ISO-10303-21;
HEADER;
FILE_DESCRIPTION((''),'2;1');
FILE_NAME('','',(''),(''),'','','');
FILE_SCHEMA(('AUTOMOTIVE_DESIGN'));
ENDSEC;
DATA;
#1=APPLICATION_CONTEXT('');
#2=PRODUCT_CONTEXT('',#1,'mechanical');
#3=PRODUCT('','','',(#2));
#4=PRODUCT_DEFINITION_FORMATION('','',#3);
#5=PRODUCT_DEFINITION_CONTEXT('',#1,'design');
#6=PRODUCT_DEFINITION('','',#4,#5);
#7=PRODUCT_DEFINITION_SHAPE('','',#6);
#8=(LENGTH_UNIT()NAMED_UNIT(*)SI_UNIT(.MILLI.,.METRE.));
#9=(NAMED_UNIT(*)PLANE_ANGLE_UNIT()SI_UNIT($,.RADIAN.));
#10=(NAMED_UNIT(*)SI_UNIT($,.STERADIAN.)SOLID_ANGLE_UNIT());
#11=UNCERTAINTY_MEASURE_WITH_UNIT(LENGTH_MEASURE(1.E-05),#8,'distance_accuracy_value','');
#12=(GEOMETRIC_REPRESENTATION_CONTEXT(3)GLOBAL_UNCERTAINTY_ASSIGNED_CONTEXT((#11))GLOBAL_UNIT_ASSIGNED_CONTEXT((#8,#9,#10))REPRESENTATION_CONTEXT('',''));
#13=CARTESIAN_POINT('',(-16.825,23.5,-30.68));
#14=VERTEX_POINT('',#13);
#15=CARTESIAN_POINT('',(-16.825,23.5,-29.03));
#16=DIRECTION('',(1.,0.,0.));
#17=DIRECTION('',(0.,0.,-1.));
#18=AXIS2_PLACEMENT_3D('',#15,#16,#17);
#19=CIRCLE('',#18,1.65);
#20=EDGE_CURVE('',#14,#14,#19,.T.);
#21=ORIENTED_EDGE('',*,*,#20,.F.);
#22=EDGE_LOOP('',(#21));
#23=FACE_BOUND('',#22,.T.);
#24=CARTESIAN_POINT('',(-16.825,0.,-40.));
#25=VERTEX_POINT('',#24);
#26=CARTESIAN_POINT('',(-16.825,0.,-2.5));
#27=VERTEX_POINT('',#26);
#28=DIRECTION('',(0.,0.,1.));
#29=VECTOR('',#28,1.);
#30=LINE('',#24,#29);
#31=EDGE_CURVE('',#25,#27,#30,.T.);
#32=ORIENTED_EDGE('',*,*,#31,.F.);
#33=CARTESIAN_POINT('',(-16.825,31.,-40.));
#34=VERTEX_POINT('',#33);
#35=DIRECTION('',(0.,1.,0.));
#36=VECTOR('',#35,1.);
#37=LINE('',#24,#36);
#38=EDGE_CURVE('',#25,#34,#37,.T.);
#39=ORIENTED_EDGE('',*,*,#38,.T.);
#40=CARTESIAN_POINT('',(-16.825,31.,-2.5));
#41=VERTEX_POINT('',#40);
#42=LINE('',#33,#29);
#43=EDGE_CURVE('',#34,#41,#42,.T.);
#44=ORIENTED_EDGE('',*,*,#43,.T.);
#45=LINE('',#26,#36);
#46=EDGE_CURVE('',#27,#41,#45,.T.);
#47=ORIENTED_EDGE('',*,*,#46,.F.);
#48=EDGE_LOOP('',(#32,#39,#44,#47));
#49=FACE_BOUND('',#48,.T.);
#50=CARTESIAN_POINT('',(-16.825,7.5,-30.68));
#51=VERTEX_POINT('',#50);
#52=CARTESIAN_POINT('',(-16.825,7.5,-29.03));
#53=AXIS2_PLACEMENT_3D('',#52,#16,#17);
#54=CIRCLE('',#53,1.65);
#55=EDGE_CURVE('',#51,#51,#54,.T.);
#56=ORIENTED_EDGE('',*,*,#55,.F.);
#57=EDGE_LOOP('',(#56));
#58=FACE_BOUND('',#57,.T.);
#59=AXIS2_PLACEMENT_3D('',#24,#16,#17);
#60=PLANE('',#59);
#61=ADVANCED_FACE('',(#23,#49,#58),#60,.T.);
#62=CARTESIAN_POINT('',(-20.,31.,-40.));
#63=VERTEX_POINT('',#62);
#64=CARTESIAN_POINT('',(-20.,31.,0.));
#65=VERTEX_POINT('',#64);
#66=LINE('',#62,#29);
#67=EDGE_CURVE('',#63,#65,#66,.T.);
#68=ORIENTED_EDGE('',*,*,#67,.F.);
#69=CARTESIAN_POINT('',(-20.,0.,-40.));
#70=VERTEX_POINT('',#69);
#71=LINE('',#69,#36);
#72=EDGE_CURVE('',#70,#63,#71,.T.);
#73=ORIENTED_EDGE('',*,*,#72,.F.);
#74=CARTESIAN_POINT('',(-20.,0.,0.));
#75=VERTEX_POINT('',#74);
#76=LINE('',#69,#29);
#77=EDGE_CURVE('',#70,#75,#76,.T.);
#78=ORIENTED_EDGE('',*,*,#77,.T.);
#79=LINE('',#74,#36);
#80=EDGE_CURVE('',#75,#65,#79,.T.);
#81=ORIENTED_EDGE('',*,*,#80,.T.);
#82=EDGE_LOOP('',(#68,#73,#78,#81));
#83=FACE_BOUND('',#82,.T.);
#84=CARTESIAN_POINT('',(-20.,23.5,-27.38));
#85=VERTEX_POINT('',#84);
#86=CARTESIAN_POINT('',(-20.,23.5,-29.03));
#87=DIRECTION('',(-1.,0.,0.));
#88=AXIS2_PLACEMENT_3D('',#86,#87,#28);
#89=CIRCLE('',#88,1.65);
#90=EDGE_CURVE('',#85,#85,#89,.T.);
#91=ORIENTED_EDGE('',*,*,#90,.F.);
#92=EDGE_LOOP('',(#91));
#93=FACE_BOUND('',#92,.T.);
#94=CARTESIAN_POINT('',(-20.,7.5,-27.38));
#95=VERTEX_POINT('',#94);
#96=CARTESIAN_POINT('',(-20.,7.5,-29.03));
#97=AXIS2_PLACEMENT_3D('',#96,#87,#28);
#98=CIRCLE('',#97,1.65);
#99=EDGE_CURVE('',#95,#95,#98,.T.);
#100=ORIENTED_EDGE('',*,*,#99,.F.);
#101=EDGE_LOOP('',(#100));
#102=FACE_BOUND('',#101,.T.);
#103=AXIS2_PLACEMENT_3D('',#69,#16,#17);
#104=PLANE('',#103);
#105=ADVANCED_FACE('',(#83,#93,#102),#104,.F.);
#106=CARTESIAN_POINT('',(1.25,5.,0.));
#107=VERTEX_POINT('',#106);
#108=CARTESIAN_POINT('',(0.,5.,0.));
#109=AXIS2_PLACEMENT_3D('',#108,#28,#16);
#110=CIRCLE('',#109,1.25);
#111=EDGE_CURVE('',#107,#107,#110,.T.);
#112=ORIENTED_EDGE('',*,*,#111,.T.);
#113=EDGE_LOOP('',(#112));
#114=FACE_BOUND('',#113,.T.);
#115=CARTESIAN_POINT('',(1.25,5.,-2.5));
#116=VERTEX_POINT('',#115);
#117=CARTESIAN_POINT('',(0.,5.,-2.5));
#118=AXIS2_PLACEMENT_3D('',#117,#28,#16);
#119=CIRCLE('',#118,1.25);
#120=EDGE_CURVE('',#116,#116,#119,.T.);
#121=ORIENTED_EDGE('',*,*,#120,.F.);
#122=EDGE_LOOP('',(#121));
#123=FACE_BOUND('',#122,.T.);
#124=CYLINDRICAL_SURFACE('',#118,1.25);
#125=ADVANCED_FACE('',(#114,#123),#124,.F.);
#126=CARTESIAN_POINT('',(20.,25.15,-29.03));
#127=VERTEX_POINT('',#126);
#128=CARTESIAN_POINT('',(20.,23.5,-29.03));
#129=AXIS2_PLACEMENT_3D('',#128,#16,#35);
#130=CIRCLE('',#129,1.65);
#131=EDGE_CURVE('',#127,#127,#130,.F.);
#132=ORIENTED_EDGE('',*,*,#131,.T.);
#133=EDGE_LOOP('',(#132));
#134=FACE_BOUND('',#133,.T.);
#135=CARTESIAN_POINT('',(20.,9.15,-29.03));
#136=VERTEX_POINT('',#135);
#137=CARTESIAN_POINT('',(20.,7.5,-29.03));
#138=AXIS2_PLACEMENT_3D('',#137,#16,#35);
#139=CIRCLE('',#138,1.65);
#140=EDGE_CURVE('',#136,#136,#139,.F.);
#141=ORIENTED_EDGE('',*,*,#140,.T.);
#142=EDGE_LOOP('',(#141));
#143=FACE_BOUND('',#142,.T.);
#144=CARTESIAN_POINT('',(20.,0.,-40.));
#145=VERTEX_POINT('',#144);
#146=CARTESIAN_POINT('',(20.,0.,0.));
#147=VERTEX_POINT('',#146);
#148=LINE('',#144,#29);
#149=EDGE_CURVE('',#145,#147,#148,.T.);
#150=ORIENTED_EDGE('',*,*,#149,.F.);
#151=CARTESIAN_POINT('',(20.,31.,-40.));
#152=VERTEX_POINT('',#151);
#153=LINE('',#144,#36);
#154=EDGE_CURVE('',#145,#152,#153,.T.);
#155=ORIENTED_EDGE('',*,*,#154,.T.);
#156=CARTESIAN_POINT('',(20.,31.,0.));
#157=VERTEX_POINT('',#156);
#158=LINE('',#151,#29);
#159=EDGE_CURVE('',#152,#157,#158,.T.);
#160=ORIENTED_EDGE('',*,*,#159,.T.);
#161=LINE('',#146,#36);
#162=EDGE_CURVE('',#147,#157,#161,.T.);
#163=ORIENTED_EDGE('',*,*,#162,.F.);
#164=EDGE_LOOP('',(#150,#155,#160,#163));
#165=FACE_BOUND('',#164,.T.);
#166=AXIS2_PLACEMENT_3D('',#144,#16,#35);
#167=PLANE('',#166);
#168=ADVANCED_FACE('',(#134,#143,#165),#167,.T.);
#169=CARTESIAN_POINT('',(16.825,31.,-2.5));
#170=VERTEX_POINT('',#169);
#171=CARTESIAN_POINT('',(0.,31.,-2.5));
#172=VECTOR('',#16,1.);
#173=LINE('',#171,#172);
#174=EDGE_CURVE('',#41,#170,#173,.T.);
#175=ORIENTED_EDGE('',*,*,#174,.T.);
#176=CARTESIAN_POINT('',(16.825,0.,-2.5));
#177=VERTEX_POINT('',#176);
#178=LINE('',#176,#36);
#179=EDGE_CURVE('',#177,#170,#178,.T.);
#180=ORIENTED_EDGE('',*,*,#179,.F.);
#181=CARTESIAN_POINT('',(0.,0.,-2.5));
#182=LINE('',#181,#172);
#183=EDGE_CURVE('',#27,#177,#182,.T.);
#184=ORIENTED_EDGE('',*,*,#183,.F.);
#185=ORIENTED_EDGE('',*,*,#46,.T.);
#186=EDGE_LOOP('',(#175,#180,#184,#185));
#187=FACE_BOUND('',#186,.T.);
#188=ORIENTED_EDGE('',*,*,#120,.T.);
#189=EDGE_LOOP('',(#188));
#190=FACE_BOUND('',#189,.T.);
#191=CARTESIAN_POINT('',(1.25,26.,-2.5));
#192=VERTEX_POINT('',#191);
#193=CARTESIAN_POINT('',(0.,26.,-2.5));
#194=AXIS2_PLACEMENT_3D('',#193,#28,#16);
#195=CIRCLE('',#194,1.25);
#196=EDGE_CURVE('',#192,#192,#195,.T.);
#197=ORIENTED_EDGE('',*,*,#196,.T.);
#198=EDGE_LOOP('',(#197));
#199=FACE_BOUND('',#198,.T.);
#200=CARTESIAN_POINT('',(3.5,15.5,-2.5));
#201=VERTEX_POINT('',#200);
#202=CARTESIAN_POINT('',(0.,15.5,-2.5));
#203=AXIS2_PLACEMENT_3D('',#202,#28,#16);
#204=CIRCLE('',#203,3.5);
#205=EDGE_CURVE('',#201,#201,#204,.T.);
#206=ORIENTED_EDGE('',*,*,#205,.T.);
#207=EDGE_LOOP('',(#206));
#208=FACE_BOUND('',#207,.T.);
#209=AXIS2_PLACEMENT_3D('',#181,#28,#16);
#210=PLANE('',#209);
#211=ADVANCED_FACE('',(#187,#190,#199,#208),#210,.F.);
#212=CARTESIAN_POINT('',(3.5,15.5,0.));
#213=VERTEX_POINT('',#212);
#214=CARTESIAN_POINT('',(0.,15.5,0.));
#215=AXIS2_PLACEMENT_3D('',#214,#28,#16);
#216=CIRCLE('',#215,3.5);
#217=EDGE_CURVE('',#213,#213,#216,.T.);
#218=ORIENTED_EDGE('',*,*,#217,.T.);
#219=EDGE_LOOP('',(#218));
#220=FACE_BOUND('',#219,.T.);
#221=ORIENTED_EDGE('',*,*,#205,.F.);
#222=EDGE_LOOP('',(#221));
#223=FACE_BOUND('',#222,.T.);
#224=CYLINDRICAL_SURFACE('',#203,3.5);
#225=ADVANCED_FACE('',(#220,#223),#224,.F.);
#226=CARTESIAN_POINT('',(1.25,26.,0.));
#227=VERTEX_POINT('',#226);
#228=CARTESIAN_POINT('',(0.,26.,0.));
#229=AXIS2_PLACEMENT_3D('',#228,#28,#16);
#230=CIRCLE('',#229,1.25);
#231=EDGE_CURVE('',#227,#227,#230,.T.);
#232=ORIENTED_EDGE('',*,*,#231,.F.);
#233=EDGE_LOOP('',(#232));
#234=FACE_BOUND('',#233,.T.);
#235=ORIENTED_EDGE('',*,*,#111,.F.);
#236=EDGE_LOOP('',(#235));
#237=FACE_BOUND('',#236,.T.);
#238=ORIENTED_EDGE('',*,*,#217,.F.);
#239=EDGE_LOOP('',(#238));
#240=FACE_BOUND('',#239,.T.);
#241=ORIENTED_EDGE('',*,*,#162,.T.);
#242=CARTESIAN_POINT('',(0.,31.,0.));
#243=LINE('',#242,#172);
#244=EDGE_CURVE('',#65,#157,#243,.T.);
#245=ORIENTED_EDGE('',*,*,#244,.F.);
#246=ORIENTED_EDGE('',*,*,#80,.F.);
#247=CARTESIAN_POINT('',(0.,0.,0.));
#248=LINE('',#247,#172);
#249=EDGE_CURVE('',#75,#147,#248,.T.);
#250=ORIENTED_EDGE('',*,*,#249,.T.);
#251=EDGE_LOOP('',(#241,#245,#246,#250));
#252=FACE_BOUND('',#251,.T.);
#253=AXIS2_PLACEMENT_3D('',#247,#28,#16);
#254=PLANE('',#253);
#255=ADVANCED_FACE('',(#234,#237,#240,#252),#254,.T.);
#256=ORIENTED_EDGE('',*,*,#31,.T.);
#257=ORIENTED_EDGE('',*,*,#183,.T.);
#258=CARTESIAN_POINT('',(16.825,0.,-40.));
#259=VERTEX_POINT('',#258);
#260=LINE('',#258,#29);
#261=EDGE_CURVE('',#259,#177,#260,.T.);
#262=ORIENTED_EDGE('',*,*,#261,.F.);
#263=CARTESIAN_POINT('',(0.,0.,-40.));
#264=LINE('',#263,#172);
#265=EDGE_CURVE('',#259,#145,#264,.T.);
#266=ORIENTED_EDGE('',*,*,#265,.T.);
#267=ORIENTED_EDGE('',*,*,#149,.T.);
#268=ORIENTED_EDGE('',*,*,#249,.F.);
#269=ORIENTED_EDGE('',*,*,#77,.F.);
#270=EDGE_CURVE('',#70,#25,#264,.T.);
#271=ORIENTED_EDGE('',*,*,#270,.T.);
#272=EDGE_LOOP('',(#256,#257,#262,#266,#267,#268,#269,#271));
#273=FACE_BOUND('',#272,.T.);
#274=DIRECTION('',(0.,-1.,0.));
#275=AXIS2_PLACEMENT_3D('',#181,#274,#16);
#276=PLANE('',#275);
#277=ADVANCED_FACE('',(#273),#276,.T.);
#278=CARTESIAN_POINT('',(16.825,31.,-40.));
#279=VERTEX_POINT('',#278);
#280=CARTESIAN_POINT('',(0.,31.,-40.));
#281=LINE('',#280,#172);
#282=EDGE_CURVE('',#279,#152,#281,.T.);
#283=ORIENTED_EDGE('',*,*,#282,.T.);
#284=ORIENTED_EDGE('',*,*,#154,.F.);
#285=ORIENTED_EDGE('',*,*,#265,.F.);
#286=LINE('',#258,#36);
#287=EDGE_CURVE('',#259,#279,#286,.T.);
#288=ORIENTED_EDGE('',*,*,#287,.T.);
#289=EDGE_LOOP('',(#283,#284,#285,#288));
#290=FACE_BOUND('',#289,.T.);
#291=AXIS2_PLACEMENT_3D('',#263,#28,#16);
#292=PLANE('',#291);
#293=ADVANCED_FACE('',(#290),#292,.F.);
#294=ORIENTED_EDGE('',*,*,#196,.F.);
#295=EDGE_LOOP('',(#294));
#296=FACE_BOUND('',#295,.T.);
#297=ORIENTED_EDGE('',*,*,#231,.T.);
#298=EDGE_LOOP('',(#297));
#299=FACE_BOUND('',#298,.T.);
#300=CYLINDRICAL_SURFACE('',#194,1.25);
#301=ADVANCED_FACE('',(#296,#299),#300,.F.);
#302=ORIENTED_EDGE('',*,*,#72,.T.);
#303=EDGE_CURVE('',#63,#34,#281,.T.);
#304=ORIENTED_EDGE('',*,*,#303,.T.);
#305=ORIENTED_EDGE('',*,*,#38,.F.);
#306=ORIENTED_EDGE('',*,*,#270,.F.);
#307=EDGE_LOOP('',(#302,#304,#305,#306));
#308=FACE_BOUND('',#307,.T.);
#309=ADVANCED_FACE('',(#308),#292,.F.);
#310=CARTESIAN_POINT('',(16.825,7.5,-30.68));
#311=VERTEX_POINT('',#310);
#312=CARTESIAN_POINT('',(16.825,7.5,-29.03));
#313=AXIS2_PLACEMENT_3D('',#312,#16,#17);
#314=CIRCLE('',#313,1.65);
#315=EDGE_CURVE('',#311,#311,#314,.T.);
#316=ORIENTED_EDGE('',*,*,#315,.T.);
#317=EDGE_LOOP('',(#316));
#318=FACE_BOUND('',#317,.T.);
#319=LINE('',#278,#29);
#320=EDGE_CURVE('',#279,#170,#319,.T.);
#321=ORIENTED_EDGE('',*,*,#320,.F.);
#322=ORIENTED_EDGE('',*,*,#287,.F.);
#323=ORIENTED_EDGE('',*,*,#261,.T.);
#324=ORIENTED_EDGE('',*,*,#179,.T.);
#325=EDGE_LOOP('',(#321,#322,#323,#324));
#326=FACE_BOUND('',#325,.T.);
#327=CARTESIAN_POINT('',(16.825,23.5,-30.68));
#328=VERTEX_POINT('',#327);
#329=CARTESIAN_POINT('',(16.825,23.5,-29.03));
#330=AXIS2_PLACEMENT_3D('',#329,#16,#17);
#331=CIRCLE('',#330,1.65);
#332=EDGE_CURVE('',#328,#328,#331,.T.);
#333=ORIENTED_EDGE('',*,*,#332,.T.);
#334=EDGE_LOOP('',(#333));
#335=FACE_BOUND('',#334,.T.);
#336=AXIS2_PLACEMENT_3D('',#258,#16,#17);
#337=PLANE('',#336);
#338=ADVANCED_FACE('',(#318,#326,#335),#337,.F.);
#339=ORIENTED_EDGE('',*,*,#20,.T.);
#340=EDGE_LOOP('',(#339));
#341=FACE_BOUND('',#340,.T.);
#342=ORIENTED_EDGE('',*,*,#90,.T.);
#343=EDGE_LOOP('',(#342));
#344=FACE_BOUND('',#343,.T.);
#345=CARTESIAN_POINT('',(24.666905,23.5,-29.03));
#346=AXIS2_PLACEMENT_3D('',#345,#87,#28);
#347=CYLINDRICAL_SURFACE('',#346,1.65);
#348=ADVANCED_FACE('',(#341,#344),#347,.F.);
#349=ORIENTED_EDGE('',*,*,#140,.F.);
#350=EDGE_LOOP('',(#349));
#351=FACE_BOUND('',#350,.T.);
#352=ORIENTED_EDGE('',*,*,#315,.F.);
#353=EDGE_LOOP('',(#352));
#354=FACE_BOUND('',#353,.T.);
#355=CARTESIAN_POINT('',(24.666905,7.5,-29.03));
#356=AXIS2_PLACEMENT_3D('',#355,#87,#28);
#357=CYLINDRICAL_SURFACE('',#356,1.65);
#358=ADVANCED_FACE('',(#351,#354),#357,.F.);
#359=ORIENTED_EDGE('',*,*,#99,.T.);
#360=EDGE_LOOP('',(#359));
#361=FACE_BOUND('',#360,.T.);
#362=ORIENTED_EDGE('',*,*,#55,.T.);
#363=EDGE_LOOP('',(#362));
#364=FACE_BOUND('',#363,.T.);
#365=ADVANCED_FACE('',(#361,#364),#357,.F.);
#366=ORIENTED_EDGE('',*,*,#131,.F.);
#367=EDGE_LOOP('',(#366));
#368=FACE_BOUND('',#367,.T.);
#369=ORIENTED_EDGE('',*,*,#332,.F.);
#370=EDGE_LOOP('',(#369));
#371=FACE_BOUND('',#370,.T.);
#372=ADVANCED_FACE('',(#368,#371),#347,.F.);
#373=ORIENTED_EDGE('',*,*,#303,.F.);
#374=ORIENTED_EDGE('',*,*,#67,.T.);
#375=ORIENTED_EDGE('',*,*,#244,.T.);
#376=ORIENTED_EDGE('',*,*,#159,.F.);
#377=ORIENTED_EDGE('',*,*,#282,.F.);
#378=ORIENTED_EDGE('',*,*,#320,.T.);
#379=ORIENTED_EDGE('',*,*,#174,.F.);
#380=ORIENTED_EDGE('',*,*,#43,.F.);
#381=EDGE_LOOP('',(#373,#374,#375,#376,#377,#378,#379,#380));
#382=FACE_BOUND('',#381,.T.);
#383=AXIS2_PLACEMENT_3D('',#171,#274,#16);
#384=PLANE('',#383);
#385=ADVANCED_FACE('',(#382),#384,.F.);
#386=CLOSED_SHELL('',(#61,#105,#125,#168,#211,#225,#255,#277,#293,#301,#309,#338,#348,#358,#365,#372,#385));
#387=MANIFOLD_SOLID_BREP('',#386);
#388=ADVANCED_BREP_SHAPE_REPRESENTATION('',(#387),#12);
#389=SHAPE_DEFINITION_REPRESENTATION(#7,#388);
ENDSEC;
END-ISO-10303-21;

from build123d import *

# Parameters (mm, degrees)
SKETCH3_W           = 33.65
SKETCH3_H           = 31
SKETCH3_R           = 1.25
SKETCH3_R_2         = 3.5
BOSS_EXTRUDE3_DEPTH = 2.5
SKETCH3_3_W         = 3.175
SKETCH3_3_H         = 31
BOSS_EXTRUDE4_DEPTH = 40
SKETCH4_R           = 1.65
CUT_EXTRUDE1_DEPTH  = 40


with BuildPart() as part:
    # Sketch3 → Boss-Extrude3 (new body)
    with BuildSketch(Plane.XY):
        with Locations((0, 15.5)):
            Rectangle(SKETCH3_W, SKETCH3_H)
        with Locations((0, 5)):
            Circle(SKETCH3_R, mode=Mode.SUBTRACT)
        with Locations((0, 15.5)):
            Circle(SKETCH3_R_2, mode=Mode.SUBTRACT)
        with Locations((0, 26)):
            Circle(SKETCH3_R, mode=Mode.SUBTRACT)
    extrude(amount=-BOSS_EXTRUDE3_DEPTH)

    # Sketch3<3> → Boss-Extrude4 (add)
    with BuildSketch(Plane.XY):
        with Locations((-18.4125, 15.5)):
            Rectangle(SKETCH3_3_W, SKETCH3_3_H)
        with Locations((18.4125, 15.5)):
            Rectangle(SKETCH3_3_W, SKETCH3_3_H)
    extrude(amount=-BOSS_EXTRUDE4_DEPTH)

    # Sketch4 → Cut-Extrude1 (cut)
    with BuildSketch(Plane.ZY.offset(20)):
        with Locations((-29.03, 23.5)):
            Circle(SKETCH4_R)
        with Locations((-29.03, 7.5)):
            Circle(SKETCH4_R)
    extrude(amount=-CUT_EXTRUDE1_DEPTH, mode=Mode.SUBTRACT)


solid = part.part
